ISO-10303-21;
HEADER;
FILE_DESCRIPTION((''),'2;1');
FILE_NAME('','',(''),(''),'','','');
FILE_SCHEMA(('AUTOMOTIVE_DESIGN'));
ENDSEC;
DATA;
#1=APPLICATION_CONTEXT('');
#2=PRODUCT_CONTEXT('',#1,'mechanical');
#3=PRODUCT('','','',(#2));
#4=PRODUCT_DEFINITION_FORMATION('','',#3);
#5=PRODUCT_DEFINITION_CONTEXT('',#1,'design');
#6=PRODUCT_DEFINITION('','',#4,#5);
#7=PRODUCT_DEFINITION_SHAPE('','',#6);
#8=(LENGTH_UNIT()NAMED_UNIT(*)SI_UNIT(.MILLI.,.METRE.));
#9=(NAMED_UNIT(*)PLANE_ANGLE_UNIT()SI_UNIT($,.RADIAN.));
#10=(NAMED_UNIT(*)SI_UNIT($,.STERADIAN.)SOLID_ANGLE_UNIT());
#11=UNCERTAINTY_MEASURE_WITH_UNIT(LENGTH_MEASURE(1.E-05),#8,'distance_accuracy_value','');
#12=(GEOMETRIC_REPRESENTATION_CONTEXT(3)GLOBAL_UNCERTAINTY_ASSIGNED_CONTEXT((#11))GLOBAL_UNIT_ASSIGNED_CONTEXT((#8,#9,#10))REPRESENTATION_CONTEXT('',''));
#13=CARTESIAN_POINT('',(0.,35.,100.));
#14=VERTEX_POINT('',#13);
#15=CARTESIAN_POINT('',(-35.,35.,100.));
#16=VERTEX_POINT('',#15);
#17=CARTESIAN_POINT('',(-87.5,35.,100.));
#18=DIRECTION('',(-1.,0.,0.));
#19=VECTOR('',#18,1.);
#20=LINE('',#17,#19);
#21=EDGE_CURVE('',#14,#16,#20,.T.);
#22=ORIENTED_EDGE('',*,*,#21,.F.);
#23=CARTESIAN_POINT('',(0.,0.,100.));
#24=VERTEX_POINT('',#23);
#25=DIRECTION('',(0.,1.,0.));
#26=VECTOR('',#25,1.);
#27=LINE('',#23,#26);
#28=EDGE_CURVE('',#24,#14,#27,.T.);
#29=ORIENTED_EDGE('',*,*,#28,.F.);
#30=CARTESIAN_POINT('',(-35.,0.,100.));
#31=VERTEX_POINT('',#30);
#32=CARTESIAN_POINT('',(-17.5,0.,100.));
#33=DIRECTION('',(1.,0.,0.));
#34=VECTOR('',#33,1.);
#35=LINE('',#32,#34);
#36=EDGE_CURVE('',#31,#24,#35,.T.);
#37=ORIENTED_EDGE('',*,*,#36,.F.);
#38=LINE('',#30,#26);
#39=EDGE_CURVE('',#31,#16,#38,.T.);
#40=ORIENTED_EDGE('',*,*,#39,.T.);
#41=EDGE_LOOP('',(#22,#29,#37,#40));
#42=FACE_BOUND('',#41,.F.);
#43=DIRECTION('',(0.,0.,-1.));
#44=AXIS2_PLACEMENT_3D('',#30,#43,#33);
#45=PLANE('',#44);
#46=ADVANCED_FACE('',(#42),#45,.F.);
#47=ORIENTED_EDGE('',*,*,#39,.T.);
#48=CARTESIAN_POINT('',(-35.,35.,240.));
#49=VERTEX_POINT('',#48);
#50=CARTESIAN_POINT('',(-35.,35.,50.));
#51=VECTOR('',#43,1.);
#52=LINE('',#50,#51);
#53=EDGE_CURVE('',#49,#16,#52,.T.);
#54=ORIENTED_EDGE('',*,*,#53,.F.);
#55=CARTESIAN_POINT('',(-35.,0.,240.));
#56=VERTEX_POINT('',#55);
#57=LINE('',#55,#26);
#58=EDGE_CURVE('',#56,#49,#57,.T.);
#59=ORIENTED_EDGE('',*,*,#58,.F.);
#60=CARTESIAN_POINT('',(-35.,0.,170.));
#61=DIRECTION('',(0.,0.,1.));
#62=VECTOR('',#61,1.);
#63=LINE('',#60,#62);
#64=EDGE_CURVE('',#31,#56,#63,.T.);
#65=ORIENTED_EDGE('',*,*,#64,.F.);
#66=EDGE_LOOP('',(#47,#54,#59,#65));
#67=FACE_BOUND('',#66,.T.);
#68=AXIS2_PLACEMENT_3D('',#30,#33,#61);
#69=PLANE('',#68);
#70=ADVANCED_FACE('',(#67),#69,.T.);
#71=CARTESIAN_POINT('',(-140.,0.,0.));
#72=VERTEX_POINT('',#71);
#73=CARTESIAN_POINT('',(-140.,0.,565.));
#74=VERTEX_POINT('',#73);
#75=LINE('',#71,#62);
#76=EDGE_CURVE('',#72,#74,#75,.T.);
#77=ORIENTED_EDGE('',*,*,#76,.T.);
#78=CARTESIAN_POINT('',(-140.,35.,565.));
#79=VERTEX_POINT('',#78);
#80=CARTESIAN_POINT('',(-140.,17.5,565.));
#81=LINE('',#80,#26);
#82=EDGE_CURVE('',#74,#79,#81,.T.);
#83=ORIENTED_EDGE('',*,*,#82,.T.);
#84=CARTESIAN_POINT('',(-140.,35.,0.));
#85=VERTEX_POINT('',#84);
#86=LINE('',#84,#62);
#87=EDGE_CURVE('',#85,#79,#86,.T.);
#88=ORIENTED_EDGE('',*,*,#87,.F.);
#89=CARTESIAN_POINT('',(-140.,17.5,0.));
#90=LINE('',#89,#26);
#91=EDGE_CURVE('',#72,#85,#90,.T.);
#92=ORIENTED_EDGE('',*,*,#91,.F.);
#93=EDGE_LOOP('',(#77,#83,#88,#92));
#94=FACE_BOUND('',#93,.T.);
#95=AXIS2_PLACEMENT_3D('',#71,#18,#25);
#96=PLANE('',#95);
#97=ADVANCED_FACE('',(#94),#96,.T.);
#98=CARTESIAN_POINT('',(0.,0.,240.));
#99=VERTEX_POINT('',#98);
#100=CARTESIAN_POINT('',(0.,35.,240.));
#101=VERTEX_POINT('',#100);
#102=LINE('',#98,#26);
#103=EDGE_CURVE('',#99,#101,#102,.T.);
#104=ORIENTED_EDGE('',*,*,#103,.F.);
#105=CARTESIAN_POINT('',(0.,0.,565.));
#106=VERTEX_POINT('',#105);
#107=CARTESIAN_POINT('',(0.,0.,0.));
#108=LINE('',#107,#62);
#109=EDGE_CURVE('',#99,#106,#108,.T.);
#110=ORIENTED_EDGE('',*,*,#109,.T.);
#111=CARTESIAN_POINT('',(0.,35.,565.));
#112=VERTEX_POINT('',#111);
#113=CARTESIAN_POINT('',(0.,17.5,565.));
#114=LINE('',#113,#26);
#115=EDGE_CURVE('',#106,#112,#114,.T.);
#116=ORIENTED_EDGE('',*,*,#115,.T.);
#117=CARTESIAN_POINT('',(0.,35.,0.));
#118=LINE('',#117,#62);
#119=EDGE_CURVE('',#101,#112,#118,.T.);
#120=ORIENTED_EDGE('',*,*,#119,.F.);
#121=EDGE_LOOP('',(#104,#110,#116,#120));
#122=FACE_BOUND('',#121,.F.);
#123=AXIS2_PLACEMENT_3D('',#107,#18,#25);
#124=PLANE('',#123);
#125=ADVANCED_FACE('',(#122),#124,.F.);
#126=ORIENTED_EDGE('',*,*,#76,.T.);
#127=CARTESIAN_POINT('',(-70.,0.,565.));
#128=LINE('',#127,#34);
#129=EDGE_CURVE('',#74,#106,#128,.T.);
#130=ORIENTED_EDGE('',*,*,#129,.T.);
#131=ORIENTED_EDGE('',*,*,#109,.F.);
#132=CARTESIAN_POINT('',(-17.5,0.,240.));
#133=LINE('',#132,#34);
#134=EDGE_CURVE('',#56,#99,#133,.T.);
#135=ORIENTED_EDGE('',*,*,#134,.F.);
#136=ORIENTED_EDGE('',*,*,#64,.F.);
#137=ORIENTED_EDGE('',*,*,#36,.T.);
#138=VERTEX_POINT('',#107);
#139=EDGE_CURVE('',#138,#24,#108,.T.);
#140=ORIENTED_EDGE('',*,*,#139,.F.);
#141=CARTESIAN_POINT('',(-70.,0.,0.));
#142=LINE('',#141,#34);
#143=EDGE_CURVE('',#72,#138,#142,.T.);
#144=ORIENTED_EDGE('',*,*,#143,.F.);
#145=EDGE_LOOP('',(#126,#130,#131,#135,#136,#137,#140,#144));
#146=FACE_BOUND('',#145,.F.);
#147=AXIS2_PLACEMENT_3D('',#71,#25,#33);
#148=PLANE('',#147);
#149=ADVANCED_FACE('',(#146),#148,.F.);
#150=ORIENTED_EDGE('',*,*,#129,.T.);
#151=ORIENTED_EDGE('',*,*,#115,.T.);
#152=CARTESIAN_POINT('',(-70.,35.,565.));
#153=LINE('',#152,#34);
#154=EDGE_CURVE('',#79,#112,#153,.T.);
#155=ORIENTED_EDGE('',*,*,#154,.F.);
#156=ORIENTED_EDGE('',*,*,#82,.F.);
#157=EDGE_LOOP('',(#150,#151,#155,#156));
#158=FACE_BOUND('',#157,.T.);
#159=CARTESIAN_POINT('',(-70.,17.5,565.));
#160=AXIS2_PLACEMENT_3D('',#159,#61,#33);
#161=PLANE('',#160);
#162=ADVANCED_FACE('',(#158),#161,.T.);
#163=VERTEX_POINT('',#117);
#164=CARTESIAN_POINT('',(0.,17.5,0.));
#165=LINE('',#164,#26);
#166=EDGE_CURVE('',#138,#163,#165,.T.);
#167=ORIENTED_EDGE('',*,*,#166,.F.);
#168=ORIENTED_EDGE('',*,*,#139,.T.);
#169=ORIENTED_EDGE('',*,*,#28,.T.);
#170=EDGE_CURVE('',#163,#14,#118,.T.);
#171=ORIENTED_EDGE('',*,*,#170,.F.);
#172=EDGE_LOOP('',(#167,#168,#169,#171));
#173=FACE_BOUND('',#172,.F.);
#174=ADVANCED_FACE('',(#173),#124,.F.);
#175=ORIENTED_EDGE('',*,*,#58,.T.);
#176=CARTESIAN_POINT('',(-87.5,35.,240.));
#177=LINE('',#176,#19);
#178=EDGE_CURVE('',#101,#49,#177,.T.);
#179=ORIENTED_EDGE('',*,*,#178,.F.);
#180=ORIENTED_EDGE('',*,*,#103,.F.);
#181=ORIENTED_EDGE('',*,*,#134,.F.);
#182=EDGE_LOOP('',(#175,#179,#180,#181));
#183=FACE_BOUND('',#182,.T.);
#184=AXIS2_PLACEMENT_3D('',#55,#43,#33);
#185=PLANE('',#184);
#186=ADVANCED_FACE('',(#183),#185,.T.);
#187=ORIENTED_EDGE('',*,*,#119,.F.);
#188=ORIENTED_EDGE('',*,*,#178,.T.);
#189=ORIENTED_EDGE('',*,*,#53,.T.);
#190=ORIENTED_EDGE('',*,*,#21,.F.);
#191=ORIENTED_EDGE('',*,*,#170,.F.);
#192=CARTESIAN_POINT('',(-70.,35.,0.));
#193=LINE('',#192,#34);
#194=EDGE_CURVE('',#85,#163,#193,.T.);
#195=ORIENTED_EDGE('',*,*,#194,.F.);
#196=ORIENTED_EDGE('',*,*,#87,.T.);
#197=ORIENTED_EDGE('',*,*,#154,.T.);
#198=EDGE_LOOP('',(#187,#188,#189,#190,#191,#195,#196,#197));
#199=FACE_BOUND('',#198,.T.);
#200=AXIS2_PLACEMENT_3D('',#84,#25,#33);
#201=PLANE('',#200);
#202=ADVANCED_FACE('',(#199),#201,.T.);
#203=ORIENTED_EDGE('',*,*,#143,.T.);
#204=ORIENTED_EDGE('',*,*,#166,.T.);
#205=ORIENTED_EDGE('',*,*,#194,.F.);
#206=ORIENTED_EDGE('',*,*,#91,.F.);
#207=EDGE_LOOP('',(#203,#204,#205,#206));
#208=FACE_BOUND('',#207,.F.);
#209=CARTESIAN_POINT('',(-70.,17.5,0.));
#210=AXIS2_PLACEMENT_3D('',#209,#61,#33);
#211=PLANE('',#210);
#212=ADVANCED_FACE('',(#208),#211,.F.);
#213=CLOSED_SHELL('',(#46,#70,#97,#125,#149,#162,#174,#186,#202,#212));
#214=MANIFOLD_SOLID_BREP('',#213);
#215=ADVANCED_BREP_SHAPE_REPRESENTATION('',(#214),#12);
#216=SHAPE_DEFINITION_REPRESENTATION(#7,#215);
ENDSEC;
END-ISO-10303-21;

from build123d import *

# Parameters (mm, degrees)
SKETCH_W     = 140
SKETCH_H     = 35
PAD_DEPTH    = 565
SKETCH001_W  = 35
SKETCH001_H  = 140
POCKET_DEPTH = 35.001


with BuildPart() as part:
    # Sketch → Pad (new body)
    with BuildSketch(Plane.XY):
        with Locations((-70, 17.5)):
            Rectangle(SKETCH_W, SKETCH_H)
    extrude(amount=PAD_DEPTH)

    # Sketch001 (on Face1 of Pad) → Pocket (cut, through all)
    with BuildSketch(Plane.XZ):
        with Locations((-17.5, 170)):
            Rectangle(SKETCH001_W, SKETCH001_H)
    extrude(amount=-POCKET_DEPTH, mode=Mode.SUBTRACT)


solid = part.part
